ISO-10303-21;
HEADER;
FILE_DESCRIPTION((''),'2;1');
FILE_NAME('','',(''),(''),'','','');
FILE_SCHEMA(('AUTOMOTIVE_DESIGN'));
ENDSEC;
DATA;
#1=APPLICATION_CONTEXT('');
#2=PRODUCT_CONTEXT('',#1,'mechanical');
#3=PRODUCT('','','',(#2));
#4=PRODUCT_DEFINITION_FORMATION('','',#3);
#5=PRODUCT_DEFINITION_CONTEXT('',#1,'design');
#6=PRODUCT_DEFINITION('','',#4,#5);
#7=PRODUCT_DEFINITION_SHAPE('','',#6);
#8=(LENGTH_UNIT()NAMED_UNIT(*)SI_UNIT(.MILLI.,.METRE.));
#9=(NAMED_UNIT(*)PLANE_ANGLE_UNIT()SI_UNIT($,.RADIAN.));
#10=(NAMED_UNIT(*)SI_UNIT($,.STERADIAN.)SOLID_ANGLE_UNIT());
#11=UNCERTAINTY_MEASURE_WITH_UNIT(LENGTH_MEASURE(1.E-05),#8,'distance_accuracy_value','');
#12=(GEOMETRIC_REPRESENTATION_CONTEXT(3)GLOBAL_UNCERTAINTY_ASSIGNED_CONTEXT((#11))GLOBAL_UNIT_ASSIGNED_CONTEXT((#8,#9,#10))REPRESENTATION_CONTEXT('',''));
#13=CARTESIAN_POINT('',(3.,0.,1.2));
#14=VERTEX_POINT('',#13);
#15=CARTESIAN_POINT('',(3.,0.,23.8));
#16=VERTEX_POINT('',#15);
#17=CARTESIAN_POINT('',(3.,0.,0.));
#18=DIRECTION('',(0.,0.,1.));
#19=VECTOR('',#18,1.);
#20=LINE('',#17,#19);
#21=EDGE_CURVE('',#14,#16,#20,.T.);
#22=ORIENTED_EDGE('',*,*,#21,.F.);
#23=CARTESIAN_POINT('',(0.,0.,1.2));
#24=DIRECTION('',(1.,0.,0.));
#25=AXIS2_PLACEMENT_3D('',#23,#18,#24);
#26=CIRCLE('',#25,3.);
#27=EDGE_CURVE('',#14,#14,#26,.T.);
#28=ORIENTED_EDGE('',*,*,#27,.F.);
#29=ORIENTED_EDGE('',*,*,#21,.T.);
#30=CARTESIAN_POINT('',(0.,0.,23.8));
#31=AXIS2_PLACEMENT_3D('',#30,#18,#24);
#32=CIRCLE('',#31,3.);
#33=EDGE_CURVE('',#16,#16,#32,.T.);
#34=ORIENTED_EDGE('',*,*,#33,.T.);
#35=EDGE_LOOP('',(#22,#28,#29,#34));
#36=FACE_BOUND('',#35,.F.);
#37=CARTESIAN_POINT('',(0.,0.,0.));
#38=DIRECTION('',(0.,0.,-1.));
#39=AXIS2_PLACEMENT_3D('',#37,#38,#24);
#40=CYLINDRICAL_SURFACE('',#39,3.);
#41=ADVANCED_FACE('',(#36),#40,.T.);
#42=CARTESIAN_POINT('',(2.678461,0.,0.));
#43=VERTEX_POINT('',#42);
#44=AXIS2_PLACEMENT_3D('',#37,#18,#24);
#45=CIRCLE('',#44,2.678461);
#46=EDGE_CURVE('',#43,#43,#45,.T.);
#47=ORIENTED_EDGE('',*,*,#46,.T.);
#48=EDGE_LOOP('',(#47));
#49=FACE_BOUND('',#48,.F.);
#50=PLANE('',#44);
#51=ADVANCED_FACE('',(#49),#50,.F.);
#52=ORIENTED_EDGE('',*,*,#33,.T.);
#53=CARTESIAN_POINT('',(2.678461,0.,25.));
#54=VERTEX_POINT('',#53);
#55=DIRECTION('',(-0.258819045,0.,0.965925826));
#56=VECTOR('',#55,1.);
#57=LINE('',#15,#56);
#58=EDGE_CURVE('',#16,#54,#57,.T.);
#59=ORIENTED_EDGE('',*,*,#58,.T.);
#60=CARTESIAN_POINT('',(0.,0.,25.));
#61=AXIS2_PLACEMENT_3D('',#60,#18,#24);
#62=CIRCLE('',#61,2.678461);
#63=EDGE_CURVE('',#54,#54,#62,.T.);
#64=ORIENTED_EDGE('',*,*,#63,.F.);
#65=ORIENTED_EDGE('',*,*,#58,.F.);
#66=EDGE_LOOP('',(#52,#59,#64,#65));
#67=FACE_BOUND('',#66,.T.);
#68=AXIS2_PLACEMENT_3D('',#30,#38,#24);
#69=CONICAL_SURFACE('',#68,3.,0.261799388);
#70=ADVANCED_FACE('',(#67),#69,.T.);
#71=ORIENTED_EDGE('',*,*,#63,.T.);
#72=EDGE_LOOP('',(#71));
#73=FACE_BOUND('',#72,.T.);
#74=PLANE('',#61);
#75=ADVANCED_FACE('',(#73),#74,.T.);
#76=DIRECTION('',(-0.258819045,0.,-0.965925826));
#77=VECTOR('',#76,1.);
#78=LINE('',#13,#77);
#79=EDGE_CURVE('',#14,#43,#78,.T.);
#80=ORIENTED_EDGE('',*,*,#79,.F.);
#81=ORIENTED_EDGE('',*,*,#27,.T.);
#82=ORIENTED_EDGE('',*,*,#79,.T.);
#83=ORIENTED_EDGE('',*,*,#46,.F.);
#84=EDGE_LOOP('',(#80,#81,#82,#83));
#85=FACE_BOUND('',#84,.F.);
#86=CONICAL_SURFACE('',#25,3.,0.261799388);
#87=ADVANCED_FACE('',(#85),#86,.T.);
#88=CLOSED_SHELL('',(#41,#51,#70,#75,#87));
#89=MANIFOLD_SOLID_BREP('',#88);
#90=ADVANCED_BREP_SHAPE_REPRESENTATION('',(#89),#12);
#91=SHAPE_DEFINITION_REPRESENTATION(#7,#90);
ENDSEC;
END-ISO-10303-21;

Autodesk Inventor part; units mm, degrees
ref_plane "YZ Plane" through (0, 0, 0) normal (1, 0, 0) x (0, 1, 0)
ref_plane "XZ Plane" through (0, 0, 0) normal (0, 1, 0) x (-1, 0, 0)
ref_plane "XY Plane" through (0, 0, 0) normal (0, 0, 1) x (1, 0, 0)
sketch "スケッチ1" plane through (0, 0, 0) normal (0, 0, 1) x (1, 0, 0)
  circle A0 centre (0, 0) radius 3
  dimension "d0" = 6
extrude "押し出し1" add sketch "スケッチ1" along normal blind 25
chamfer "面取り1" distance 1.2 angle 15 2 edges at (-3, 0, 25) (-3, 0, 0) measured on face at (2.9612, -0.4812, 8.3333)
properties part number "平行ピンΦ6.25" material "鋼、高強度、低合金"
